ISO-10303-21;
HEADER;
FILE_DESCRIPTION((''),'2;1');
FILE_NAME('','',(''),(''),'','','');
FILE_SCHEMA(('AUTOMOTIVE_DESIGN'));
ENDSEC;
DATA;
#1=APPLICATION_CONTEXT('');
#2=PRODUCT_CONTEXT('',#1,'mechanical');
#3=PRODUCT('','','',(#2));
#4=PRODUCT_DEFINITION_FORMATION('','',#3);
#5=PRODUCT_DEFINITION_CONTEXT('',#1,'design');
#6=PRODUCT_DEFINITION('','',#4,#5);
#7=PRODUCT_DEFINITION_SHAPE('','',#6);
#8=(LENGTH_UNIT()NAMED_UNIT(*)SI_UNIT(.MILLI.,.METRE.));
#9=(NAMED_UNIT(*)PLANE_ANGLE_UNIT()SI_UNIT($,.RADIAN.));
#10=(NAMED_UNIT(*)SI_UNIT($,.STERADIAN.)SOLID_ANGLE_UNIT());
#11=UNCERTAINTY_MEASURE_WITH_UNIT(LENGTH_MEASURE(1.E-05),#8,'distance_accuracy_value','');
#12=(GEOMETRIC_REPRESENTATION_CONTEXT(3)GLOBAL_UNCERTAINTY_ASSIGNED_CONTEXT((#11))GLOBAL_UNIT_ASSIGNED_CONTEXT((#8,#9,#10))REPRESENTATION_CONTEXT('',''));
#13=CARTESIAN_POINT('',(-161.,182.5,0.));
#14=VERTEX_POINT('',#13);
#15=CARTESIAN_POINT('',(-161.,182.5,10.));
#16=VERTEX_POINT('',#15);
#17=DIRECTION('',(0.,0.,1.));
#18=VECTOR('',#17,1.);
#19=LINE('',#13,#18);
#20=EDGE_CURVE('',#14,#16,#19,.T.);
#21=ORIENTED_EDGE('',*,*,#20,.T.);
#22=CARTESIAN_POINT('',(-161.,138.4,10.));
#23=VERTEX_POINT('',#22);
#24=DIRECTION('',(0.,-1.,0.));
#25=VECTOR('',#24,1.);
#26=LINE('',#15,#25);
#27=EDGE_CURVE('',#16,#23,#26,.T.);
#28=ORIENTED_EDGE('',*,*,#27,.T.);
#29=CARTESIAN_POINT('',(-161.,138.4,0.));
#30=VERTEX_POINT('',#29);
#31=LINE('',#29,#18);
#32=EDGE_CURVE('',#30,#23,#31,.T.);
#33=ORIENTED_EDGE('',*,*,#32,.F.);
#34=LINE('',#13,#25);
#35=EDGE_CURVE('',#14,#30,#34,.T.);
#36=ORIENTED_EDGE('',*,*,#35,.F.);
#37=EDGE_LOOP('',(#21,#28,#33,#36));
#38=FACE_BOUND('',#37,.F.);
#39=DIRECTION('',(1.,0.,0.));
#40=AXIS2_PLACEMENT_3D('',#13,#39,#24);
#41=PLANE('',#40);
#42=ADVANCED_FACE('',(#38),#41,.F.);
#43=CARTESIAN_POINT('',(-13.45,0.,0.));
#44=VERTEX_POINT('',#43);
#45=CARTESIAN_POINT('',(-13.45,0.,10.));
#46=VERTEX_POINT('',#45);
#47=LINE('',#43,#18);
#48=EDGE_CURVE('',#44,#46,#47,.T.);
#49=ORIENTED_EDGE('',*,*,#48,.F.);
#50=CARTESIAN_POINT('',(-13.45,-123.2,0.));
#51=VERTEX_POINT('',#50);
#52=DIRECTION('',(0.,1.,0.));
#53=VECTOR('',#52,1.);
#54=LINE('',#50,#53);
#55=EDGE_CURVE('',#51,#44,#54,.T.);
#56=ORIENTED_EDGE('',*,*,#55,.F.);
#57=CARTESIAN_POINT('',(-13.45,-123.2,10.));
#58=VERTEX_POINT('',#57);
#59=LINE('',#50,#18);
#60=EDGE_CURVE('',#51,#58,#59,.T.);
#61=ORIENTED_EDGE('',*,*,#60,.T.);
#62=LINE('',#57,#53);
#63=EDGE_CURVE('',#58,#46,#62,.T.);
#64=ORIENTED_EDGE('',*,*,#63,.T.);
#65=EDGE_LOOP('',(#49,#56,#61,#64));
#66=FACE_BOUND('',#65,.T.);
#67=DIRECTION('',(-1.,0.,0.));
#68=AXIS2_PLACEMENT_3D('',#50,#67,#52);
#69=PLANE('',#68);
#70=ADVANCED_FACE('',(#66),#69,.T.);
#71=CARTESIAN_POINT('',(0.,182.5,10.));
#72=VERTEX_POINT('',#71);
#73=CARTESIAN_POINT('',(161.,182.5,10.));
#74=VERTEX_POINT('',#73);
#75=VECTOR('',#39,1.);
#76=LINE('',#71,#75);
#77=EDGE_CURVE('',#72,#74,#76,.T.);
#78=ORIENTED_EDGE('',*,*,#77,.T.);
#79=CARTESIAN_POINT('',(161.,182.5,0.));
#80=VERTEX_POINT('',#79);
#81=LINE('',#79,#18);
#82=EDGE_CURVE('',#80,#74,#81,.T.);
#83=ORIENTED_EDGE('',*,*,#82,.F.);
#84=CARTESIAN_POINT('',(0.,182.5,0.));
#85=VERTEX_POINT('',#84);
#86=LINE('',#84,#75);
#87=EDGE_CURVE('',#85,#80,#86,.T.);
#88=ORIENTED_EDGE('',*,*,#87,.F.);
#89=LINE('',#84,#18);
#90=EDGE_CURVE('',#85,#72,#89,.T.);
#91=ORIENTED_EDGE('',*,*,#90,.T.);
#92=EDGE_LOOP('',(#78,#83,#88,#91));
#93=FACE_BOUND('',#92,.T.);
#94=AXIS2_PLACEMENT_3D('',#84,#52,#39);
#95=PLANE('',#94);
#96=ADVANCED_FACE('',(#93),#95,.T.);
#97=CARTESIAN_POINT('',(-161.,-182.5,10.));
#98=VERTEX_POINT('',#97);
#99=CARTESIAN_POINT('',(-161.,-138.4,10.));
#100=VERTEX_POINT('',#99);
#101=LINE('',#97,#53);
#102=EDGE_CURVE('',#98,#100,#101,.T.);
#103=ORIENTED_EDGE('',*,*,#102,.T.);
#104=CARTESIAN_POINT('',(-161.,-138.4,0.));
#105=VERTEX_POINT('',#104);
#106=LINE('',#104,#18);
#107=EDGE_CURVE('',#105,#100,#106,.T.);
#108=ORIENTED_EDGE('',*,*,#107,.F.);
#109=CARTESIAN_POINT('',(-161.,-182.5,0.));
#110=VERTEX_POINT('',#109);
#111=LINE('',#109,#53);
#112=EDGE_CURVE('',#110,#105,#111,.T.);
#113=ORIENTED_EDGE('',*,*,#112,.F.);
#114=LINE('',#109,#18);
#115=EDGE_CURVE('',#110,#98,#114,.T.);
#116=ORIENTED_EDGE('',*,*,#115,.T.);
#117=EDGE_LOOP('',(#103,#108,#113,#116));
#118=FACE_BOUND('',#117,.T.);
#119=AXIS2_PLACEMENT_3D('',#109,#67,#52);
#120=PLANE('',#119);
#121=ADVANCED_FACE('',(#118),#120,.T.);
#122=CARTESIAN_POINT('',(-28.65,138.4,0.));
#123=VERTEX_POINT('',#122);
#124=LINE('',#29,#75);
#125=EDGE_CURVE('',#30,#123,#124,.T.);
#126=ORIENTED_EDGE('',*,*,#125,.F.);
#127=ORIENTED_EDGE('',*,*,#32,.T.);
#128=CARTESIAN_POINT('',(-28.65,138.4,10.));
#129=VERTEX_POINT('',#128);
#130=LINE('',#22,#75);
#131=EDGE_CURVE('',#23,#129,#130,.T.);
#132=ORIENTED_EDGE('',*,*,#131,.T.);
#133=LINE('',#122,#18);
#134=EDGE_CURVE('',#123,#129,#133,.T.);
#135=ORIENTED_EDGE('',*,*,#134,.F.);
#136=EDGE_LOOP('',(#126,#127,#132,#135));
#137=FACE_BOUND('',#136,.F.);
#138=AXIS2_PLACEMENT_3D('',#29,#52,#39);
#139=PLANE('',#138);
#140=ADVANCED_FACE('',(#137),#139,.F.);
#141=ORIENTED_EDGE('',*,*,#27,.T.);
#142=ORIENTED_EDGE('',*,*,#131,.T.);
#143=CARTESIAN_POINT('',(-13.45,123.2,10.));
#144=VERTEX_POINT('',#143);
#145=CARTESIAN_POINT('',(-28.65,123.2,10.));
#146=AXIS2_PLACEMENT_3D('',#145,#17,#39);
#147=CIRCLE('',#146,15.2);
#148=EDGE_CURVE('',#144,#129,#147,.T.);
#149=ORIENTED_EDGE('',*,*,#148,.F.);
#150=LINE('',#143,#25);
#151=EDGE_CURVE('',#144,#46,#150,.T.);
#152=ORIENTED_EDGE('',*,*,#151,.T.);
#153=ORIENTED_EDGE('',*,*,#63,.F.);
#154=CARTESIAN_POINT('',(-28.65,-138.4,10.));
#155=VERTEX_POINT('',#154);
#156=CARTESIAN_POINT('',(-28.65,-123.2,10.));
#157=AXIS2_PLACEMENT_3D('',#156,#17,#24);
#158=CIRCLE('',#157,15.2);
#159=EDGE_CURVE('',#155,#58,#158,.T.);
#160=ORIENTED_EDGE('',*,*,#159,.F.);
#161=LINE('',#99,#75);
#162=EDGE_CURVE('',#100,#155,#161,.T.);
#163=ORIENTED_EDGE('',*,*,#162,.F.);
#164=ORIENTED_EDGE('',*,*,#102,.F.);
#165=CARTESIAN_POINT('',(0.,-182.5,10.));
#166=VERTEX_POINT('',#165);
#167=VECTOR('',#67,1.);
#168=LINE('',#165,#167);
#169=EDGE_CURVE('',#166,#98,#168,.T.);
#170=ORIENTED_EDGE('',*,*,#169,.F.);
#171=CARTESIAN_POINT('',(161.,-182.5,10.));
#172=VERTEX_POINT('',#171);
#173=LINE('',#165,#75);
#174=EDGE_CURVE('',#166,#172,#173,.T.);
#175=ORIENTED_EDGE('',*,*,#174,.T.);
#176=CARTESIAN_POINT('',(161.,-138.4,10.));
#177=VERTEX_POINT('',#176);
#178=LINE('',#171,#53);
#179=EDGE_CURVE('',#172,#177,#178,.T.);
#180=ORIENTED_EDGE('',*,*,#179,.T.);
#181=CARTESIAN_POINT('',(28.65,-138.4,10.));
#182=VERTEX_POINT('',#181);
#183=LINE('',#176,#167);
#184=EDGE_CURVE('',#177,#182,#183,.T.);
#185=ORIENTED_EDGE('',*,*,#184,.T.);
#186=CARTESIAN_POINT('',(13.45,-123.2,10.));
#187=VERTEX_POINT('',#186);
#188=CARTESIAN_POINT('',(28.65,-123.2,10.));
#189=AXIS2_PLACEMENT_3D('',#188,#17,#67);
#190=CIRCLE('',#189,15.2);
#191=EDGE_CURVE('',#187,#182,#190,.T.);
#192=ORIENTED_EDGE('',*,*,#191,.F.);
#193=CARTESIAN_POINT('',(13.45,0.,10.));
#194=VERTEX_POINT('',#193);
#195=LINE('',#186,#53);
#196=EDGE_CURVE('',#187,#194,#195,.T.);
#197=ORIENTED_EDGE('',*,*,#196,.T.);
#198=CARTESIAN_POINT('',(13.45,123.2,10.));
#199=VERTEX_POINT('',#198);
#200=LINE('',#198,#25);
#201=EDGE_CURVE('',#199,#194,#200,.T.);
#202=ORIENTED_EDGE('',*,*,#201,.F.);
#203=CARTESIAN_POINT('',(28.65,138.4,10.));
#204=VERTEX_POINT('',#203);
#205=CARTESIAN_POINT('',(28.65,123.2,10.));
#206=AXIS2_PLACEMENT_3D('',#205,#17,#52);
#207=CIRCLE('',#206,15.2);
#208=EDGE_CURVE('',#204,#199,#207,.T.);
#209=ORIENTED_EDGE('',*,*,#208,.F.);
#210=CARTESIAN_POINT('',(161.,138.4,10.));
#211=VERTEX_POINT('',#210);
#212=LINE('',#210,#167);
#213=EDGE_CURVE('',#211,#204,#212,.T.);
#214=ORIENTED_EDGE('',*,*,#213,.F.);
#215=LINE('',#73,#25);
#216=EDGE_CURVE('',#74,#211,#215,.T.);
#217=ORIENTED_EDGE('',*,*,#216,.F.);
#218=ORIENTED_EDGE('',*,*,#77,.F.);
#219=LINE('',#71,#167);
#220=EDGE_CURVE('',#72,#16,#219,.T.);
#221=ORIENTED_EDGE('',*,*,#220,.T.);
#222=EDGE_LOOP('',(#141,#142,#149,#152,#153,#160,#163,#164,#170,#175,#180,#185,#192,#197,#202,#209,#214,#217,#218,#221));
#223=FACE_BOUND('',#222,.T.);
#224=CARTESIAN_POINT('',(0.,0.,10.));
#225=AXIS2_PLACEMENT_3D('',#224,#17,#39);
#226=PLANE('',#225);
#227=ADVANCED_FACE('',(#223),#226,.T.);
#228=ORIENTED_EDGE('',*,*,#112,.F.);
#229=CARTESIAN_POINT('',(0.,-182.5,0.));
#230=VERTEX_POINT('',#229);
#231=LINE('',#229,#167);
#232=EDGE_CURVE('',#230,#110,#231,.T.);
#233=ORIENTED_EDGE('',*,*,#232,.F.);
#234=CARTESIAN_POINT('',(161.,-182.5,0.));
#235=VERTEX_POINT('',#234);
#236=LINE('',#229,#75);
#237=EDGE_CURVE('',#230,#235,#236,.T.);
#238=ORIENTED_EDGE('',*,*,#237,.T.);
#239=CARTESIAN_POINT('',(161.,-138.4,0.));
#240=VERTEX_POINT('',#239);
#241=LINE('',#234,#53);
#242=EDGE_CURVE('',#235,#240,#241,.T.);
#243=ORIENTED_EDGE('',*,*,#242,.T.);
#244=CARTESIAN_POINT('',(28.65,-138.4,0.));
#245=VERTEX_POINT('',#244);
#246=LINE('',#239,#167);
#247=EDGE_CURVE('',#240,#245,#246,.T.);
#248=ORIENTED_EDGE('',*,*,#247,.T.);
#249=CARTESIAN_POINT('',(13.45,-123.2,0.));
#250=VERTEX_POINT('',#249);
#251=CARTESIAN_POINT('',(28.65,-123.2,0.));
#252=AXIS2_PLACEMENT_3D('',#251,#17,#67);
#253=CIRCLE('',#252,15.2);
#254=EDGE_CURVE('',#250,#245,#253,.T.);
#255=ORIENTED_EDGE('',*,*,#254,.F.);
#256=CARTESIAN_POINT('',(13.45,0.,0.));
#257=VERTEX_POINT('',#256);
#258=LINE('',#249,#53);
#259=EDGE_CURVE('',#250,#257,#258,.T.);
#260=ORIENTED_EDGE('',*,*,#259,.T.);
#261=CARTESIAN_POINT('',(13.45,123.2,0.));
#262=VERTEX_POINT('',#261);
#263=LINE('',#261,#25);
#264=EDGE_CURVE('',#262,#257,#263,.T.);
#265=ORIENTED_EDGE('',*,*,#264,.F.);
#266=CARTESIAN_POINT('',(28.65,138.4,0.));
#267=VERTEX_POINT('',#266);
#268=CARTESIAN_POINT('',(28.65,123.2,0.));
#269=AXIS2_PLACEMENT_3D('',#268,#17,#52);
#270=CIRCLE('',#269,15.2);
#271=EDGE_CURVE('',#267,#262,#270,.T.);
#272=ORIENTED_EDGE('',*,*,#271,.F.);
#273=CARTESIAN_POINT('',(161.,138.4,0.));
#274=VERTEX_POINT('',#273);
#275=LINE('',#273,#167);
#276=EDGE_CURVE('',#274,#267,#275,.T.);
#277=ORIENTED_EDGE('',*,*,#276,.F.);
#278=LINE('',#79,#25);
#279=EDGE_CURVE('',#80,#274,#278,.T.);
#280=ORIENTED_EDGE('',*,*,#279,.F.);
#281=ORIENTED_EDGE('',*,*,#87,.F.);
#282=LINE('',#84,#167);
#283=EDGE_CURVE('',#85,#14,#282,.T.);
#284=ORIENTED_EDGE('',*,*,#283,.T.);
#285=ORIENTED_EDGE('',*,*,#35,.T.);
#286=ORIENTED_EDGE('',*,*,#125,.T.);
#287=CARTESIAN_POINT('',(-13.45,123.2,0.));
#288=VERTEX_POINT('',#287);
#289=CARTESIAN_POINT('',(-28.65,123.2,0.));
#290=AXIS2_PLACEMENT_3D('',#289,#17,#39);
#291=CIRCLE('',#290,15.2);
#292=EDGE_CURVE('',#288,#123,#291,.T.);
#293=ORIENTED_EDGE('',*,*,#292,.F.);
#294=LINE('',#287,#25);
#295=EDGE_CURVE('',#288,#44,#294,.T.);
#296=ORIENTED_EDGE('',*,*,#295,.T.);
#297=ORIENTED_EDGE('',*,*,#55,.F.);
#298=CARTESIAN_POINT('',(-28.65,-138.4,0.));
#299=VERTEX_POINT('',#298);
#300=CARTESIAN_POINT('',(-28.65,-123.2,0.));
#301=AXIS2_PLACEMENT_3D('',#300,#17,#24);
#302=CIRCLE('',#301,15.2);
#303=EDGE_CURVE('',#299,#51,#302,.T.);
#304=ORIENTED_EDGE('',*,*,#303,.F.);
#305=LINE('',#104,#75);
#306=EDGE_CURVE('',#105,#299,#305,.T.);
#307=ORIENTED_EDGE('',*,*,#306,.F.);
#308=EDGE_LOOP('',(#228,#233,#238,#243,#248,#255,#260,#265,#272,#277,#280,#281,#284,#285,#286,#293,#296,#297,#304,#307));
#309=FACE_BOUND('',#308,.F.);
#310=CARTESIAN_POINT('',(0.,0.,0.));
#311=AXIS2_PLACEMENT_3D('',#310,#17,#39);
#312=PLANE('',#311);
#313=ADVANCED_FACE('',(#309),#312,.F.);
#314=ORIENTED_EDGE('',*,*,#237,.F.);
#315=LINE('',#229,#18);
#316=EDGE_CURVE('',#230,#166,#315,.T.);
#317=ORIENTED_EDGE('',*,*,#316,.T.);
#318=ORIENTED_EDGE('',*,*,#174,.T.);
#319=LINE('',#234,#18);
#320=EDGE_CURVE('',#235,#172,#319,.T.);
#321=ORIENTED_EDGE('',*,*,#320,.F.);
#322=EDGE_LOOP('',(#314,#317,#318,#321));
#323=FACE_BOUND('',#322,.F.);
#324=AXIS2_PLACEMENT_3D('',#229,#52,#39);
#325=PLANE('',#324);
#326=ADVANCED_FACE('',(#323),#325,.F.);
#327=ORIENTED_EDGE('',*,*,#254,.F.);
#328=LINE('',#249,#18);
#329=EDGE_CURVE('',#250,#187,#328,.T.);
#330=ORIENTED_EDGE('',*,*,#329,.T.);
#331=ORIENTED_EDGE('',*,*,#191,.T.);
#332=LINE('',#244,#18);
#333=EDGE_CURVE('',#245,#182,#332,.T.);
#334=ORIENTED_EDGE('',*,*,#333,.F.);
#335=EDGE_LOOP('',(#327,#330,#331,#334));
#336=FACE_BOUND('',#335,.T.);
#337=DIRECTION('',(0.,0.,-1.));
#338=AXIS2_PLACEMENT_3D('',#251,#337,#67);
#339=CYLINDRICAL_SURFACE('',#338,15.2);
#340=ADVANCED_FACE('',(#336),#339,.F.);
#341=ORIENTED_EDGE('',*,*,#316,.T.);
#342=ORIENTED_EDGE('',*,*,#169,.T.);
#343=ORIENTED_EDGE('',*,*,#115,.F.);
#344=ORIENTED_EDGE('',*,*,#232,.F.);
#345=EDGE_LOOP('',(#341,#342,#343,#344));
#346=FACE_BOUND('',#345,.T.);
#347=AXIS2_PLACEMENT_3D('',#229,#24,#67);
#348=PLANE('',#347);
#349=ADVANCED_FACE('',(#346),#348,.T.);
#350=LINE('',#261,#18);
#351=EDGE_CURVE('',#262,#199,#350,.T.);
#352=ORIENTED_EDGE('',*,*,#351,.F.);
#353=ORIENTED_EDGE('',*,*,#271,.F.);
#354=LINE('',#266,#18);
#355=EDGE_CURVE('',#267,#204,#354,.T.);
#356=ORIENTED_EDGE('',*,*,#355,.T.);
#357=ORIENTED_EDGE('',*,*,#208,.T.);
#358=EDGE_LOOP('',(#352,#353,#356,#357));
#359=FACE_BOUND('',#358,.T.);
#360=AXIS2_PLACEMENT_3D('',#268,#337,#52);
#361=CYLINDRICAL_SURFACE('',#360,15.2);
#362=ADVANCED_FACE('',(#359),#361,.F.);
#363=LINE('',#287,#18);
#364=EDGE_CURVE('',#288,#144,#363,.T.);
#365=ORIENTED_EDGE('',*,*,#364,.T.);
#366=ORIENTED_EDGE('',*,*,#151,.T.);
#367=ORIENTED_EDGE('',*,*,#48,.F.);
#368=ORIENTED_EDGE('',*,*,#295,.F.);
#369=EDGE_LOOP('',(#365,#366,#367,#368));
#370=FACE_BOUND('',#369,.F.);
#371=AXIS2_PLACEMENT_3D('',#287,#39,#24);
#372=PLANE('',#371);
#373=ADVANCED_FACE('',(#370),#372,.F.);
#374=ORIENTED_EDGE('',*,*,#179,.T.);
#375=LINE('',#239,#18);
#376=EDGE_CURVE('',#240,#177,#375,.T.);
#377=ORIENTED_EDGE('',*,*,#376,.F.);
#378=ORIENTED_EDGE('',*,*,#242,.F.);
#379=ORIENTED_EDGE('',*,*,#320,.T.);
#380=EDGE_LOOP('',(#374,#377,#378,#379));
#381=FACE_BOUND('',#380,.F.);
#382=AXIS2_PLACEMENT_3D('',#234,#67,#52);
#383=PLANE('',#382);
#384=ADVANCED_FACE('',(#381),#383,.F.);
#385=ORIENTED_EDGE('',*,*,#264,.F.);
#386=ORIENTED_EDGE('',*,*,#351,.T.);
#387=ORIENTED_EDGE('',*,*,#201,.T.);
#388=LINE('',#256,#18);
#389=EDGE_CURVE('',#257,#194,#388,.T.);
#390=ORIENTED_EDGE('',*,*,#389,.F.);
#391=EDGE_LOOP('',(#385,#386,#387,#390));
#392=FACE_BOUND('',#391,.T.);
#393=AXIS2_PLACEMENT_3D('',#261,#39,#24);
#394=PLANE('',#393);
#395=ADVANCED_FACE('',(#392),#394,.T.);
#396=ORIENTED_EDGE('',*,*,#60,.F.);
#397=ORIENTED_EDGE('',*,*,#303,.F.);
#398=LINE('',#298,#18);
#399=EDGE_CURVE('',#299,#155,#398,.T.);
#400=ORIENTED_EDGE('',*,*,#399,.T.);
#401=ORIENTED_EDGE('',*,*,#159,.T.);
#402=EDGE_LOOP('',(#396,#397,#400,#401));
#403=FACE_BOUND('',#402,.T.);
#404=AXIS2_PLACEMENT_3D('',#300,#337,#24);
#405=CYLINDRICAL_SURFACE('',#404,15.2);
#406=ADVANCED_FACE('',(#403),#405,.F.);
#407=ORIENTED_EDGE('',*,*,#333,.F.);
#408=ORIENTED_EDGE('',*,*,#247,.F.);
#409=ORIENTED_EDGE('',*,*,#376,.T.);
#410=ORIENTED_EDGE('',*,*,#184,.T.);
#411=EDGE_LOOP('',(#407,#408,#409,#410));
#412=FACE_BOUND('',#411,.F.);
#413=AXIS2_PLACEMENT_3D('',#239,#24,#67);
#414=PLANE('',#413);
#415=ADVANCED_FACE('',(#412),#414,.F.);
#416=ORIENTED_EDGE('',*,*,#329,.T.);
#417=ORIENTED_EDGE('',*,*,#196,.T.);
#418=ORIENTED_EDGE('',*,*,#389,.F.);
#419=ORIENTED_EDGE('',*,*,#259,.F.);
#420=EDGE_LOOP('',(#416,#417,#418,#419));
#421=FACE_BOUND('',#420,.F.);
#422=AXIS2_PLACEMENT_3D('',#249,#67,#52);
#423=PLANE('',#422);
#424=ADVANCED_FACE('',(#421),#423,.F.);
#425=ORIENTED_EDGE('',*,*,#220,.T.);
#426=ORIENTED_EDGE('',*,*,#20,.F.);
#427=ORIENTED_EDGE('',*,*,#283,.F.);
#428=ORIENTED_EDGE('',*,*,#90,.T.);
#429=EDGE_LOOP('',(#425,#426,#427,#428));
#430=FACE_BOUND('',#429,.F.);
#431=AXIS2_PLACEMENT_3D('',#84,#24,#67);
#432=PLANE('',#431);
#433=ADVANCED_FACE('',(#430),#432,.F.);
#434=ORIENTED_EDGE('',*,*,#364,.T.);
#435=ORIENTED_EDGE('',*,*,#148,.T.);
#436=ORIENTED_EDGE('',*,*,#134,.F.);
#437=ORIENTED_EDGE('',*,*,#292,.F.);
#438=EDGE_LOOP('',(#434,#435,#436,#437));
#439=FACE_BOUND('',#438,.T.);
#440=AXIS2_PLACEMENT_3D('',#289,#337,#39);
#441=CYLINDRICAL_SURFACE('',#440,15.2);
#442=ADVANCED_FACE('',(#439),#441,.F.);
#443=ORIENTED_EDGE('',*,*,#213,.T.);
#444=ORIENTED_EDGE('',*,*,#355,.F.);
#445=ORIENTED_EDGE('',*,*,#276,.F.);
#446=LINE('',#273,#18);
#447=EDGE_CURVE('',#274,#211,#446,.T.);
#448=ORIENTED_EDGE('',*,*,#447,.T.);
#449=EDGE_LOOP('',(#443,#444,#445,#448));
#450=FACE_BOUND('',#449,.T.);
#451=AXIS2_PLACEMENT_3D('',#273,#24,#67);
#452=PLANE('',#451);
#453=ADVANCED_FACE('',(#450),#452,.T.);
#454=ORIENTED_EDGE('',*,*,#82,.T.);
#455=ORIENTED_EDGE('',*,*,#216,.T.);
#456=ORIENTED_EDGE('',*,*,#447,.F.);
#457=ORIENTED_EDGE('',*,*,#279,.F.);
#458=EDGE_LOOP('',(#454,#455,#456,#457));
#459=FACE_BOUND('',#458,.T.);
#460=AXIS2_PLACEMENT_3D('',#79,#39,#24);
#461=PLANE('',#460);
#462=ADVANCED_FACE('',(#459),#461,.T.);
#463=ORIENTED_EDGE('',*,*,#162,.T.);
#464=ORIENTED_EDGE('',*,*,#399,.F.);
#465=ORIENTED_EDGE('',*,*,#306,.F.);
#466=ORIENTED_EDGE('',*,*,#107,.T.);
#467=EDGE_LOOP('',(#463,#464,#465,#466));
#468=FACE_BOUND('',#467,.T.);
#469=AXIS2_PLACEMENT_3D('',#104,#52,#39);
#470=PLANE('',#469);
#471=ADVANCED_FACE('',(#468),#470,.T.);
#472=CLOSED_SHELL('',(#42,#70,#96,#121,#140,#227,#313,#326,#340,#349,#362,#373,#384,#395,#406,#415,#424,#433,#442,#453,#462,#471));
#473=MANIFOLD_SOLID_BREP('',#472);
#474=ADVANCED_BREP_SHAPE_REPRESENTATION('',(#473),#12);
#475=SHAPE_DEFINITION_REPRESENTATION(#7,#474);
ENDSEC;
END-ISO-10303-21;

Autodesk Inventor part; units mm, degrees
ref_plane "YZ Plane" through (0, 0, 0) normal (1, 0, 0) x (0, 1, 0)
ref_plane "Start plane" through (0, 0, 0) normal (0, 0, 1) x (1, 0, 0)
ref_plane "End plane" through (0, 0, 10) normal (0, 0, 1) x (1, 0, 0)
sketch "Sketch" plane through (0, 0, 0) normal (0, 0, 1) x (1, 0, 0)
  line L0 (-161, -182.5) -> (-161, -138.4)
  line L1 (-161, -138.4) -> (-28.65, -138.4)
  line L2 (-13.45, -123.2) -> (-13.45, 0)
  line L3 (-13.45, 0) -> (0, 0) construction
  line L4 (0, 0) -> (0, -182.5) construction
  line L5 (0, -182.5) -> (-161, -182.5)
  line L6 (-60, 0) -> (80, 0) construction
  line L7 (0, -60) -> (0, 80) construction
  line L8 (161, -182.5) -> (161, -138.4)
  line L9 (161, -138.4) -> (28.65, -138.4)
  line L10 (13.45, -123.2) -> (13.45, 0)
  line L11 (13.45, 0) -> (0, 0) construction
  line L12 (0, -182.5) -> (161, -182.5)
  line L13 (-161, 182.5) -> (-161, 138.4)
  line L14 (-161, 138.4) -> (-28.65, 138.4)
  line L15 (-13.45, 123.2) -> (-13.45, 0)
  line L16 (0, 182.5) -> (-161, 182.5)
  line L17 (161, 182.5) -> (161, 138.4)
  line L18 (161, 138.4) -> (28.65, 138.4)
  line L19 (0, 182.5) -> (161, 182.5)
  line L20 (13.45, 123.2) -> (13.45, 0)
  arc A0 (-13.45, 123.2) -> (-28.65, 138.4) centre (-28.65, 123.2) ccw
  arc A1 (28.65, 138.4) -> (13.45, 123.2) centre (28.65, 123.2) ccw
  arc A2 (13.45, -123.2) -> (28.65, -138.4) centre (28.65, -123.2) ccw
  arc A3 (-28.65, -138.4) -> (-13.45, -123.2) centre (-28.65, -123.2) ccw
  line L21 (0, 108) -> (0, -88) construction
  line L22 (-88, 0) -> (108, 0) construction
  point P0 (-13.45, -138.4)
  point P1 (13.45, -138.4)
  point P2 (-13.45, 138.4)
  point P3 (13.45, 138.4)
  dimension "d1" = 182.5
  dimension "d2" = 44.1
  dimension "d3" = 161
  dimension "d4" = 13.45
  dimension "d10" = 15.2
extrude "Body" add sketch "Sketch" along normal up to surface (10 mm away) from surface at 0
sketch "Sketch4" plane through (0, 0, 0) normal (0, 0, 1) x (1, 0, 0)
  line L0 (0, 0) -> (10, 0)
ref_plane "Work Plane3" through (0, 0, 0) normal (0, -1, 0) x (1, 0, 0)
sketch "Sketch5" plane through (0, 0, 0) normal (0, -1, 0) x (1, 0, 0)
  line L0 (-2, 0) -> (12, 0) projected
  line L1 (-2, 10) -> (12, 10) projected
  dimension "d14" = 10
equation "\"d1\" = 0.5 * G_H"
equation "\"d2\" = G_T1"
equation "\"d3\" = 0.5 * G_W"
equation "\"d4\" = 0.5 * G_T"
equation "\"d10\" = G_IR"
equation "\"d5\" = G_L"
equation "\"G_W\" = 322"
equation "\"G_H\" = 365"
equation "\"G_T\" = 26.9"
equation "\"G_T1\" = 44.1"
equation "\"G_IR\" = 15.2"
equation "\"G_L\" = d14"
equation "\"G_OFFSET_START\" = 0"
equation "\"G_OFFSET_END\" = 0"
properties part number "AS 3679 - 310 UC - 283 - 10" material "Steel, Mild"
